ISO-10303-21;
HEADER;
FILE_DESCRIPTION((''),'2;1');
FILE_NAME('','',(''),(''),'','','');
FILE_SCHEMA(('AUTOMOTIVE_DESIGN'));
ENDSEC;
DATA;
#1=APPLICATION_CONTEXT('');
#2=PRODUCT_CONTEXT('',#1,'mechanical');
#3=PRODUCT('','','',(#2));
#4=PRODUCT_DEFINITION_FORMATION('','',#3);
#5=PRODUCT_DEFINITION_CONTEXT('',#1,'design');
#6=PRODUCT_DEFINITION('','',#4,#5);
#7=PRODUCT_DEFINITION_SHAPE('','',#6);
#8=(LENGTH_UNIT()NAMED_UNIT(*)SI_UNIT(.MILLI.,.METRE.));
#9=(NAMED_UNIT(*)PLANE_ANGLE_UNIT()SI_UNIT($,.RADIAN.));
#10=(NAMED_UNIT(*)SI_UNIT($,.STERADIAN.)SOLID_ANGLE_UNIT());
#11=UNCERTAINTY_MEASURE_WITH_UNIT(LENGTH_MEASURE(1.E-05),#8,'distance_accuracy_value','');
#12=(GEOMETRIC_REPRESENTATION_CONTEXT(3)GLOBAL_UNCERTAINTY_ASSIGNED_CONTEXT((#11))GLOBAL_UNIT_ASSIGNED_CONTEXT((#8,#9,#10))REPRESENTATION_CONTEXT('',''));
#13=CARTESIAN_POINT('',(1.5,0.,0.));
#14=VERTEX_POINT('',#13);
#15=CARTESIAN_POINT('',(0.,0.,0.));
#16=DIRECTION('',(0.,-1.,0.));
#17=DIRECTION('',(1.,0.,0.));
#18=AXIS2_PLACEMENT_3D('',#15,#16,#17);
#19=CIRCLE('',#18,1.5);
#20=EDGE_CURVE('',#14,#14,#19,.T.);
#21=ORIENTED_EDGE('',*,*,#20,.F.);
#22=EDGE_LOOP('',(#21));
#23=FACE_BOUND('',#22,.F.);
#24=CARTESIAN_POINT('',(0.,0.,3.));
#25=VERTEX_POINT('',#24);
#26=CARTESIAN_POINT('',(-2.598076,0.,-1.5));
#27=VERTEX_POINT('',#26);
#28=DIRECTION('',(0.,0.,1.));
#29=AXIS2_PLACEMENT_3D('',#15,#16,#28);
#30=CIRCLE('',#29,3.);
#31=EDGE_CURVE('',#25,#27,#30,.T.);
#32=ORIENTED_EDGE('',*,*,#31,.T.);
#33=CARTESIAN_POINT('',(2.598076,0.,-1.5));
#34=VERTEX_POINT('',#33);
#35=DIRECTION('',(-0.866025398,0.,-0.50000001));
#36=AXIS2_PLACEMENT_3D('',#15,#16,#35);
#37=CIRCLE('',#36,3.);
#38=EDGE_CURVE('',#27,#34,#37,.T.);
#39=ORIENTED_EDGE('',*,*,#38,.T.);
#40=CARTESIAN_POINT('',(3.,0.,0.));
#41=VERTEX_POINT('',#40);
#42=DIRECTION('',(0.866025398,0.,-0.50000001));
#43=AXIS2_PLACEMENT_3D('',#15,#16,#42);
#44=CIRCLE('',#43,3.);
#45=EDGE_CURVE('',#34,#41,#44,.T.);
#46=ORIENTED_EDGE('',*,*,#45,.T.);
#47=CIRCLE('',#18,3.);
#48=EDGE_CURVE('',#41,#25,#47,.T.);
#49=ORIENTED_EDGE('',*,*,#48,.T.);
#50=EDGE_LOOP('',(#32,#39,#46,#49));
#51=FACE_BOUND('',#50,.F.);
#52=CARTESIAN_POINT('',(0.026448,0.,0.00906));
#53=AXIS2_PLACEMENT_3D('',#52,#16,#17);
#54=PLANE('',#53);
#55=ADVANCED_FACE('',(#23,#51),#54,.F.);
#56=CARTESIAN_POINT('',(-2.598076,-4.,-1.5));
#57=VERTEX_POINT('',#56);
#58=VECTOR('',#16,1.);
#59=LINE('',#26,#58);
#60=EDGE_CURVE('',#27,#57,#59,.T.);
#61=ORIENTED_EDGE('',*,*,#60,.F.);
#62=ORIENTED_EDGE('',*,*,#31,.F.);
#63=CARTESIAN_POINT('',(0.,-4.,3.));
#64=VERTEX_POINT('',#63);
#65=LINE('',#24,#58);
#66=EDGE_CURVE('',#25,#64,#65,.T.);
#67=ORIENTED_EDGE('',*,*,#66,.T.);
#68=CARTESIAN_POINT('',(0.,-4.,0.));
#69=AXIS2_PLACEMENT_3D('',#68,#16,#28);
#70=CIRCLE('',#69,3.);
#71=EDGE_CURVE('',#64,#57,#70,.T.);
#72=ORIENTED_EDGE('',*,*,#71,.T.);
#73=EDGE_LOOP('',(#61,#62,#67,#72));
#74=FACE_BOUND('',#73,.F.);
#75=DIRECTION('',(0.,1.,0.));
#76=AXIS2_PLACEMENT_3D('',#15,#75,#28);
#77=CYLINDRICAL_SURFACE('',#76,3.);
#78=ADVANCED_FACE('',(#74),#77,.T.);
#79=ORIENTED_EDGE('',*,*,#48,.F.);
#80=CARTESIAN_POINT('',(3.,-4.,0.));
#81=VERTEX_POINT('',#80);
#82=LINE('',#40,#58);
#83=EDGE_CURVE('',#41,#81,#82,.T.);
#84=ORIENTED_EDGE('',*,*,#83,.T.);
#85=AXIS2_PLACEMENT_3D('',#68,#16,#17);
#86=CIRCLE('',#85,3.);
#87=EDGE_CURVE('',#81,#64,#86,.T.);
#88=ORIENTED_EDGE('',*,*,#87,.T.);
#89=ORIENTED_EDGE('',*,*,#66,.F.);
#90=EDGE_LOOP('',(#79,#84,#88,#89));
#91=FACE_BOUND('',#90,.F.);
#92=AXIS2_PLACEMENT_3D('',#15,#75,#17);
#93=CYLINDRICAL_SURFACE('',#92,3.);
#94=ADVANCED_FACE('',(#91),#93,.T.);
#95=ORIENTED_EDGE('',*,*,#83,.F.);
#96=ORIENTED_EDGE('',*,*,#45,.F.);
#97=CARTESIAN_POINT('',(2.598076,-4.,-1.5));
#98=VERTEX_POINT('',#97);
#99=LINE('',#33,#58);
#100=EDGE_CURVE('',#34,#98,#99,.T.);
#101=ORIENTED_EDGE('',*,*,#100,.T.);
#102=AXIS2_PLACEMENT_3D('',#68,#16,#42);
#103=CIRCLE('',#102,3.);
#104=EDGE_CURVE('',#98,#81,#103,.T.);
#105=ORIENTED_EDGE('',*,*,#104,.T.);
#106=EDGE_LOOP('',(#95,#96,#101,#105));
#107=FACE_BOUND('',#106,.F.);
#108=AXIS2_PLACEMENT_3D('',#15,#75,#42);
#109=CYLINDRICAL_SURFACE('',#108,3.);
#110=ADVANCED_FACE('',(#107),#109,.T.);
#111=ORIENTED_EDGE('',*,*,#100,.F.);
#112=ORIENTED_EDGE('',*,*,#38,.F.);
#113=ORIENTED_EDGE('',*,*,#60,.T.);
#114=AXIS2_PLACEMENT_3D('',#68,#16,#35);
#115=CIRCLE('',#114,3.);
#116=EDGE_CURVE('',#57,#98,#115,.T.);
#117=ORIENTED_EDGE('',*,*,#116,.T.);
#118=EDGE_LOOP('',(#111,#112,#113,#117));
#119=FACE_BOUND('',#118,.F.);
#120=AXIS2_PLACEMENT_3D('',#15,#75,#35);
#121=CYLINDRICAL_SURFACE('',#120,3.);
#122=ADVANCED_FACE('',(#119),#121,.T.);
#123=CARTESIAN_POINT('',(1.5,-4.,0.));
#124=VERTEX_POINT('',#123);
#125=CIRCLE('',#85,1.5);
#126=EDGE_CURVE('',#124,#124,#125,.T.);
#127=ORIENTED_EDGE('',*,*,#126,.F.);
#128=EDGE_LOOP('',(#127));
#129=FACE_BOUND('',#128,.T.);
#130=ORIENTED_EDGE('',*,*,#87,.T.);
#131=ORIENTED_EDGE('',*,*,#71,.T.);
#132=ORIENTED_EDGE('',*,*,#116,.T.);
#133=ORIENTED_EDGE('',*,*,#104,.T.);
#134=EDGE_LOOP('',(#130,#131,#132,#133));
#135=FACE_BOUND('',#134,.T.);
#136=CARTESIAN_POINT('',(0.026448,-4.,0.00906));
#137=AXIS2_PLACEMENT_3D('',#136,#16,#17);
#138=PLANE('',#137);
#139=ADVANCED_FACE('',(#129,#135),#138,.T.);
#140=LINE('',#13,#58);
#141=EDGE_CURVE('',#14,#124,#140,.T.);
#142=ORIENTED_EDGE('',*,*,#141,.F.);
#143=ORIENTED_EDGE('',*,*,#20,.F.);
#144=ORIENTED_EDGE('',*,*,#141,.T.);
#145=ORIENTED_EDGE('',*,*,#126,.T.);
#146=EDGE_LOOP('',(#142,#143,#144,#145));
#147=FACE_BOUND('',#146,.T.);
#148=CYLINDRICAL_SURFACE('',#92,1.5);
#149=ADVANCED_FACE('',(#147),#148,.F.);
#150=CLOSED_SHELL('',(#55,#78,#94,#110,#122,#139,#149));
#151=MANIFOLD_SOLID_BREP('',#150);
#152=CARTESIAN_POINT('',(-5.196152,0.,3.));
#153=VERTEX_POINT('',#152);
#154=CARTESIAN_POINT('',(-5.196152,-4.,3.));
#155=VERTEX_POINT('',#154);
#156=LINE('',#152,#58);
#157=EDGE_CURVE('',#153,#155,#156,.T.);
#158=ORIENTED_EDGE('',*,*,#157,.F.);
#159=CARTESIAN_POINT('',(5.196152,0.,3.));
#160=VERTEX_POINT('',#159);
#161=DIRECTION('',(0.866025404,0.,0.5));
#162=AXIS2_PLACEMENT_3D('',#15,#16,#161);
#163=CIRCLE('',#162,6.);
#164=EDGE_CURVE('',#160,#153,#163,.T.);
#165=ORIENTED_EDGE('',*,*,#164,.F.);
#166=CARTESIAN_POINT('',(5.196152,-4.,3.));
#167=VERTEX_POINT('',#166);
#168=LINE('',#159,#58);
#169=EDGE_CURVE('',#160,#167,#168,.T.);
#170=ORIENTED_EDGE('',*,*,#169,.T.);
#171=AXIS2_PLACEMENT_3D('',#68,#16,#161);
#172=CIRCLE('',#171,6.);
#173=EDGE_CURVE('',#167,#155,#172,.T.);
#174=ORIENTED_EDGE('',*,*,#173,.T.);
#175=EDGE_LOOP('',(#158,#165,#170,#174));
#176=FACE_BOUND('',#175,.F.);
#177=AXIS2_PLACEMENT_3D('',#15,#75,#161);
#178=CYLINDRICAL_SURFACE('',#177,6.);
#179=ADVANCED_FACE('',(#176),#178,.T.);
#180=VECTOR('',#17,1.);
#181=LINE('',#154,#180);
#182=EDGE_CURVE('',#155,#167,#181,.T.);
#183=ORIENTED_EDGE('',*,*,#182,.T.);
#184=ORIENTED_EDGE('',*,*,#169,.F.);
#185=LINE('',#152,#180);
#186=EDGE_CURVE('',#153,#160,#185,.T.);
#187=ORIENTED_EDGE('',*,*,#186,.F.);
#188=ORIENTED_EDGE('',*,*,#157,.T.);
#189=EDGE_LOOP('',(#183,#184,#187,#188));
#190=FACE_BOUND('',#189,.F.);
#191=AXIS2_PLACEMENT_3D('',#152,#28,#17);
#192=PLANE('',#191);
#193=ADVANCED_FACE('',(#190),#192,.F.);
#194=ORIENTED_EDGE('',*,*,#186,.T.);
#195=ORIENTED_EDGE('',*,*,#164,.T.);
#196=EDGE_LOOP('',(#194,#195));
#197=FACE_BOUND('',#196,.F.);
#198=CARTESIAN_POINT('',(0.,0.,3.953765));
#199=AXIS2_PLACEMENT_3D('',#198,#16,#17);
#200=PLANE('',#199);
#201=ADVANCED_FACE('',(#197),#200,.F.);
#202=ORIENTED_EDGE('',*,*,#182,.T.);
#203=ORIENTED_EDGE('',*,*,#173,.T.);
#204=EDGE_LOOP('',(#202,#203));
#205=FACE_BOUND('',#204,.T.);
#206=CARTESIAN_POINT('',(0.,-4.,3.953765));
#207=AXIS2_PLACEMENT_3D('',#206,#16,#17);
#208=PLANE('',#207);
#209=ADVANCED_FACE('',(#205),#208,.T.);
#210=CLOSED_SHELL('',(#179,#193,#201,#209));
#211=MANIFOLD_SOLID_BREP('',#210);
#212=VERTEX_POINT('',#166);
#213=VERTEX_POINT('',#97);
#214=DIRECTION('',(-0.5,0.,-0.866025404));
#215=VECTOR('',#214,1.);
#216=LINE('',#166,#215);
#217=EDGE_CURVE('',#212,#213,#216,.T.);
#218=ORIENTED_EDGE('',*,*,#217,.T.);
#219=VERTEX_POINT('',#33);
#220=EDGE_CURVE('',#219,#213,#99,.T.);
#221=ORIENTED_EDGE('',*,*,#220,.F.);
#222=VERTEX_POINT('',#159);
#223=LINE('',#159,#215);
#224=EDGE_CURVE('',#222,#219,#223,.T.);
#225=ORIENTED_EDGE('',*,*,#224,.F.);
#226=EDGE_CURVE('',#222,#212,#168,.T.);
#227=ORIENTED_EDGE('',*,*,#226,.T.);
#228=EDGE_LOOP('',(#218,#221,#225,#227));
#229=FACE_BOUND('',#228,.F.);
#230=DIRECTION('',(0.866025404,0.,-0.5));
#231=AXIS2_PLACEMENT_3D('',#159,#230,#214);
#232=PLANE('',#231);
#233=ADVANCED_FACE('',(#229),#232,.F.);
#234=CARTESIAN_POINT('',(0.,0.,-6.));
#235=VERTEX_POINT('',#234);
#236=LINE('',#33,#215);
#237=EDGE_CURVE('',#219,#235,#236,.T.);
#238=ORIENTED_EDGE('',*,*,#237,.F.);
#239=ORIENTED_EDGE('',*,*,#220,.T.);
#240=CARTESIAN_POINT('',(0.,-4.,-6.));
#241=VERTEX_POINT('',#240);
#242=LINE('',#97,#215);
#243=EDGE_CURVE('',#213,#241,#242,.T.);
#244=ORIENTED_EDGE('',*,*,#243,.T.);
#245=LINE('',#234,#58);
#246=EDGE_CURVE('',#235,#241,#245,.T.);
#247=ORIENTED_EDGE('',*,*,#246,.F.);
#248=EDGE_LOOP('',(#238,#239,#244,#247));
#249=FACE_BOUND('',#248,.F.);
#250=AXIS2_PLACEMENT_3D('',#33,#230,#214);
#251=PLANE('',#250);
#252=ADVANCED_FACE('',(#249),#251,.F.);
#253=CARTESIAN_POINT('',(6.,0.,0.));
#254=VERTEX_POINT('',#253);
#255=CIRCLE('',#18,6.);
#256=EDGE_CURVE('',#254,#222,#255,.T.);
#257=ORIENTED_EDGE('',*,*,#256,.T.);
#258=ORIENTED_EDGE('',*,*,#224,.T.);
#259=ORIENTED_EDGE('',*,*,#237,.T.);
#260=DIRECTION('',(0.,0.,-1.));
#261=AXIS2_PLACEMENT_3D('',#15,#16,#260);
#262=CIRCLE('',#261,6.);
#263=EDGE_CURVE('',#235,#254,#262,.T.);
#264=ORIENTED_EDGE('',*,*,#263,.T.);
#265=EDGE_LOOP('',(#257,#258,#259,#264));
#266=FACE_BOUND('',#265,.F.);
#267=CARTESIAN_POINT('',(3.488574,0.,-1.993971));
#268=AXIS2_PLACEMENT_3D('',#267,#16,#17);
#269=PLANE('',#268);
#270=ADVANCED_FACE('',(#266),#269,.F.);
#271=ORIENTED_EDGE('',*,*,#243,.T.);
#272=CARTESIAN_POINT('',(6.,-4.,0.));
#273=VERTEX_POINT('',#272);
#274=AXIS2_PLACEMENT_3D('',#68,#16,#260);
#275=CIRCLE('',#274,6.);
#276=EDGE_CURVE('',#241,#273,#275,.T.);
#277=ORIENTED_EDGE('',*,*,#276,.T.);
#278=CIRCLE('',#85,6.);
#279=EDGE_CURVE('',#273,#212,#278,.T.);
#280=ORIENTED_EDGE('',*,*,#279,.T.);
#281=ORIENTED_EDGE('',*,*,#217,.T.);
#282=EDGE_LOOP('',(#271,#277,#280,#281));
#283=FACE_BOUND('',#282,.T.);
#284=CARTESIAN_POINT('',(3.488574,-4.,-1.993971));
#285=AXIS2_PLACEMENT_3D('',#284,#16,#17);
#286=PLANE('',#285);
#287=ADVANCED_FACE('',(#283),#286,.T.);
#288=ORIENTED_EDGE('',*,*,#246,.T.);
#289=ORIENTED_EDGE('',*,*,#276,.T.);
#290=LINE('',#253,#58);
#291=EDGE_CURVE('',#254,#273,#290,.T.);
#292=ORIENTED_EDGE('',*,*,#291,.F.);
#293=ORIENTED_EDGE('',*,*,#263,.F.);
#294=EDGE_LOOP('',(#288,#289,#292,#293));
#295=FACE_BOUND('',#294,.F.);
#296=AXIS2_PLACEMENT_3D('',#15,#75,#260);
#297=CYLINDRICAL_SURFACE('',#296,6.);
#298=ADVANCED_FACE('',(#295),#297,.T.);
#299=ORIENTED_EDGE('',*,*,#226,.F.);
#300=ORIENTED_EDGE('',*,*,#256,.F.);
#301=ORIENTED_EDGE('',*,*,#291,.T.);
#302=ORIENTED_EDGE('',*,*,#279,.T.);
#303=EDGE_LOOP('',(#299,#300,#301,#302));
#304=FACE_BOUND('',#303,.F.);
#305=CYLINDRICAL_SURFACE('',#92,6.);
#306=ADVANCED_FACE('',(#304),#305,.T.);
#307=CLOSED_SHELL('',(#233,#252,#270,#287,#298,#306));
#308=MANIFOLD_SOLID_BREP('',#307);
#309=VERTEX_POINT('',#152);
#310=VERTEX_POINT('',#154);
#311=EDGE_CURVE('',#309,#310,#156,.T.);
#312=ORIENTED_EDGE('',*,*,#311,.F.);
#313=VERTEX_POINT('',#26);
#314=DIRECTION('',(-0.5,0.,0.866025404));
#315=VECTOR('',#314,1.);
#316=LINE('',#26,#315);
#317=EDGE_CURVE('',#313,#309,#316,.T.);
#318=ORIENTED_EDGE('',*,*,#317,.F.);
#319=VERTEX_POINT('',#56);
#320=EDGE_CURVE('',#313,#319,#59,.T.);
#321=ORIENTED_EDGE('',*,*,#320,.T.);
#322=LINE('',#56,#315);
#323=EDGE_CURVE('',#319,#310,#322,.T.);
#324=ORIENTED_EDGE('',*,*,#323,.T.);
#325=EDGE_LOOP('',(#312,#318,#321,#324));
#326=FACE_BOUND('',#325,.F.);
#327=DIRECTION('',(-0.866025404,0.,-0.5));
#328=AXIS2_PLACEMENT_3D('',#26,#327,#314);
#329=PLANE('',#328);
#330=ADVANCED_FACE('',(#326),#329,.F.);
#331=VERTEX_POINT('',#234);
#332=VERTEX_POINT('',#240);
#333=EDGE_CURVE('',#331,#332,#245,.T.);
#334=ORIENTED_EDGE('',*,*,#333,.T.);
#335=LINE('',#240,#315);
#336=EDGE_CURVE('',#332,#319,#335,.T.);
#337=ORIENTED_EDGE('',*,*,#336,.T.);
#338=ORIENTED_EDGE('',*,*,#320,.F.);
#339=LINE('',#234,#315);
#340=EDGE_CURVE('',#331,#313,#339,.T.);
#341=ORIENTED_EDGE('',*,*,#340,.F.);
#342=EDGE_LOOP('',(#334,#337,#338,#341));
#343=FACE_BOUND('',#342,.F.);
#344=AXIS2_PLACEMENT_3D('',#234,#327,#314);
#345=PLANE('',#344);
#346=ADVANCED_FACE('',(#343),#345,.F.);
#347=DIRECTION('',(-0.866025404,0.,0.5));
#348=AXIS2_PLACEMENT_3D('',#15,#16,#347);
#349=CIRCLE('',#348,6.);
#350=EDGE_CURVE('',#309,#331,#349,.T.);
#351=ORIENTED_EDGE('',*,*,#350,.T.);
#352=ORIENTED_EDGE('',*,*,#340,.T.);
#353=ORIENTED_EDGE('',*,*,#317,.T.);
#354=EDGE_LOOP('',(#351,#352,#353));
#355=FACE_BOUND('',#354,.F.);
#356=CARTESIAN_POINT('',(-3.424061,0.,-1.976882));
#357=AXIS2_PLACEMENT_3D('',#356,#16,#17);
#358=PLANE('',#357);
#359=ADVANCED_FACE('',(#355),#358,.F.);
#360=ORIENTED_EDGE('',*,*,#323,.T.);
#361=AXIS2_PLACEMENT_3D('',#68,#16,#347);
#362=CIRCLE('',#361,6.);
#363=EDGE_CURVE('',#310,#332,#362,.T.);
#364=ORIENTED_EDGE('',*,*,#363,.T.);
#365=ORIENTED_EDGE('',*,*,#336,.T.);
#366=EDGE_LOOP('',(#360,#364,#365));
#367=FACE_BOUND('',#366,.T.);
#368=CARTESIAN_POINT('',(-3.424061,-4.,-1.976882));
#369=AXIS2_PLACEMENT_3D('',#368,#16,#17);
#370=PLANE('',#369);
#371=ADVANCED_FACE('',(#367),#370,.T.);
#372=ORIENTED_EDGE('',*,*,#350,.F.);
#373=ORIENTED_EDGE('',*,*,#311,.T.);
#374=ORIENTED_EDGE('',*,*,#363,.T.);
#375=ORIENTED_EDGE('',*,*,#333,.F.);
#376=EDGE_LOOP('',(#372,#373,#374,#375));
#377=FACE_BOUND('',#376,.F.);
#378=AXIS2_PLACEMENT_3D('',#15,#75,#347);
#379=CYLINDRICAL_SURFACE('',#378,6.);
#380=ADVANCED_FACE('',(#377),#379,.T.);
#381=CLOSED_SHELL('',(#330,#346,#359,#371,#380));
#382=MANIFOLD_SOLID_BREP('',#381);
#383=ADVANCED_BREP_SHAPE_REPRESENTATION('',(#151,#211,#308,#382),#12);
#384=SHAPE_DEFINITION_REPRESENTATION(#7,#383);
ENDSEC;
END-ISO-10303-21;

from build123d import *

# Parameters (mm, degrees)
F1_DEPTH = 4
F0_R     = 1.5


with BuildPart() as f1:
    # F0 (on Front) → F1 (new body)
    with BuildSketch(Plane.XZ):
        with BuildLine():
            Line((-5.1961524227, 3), (0, 3))
            Line((0, 3), (5.1961524227, 3))
            ThreePointArc((5.1961524227, 3), (0, 6), (-5.1961524227, 3))
        make_face()
    extrude(amount=F1_DEPTH)


with BuildPart() as f1b:
    # F0 (on Front) → F1, piece 2 (new body)
    with BuildSketch(Plane.XZ):
        with BuildLine():
            Line((5.1961524227, 3), (2.5980761941, -1.5000000299))
            Line((2.5980761941, -1.5000000299), (0, -6))
            ThreePointArc((0, -6), (4.2426406871, -4.2426406871), (6, 0))
            ThreePointArc((6, 0), (5.7955549577, 1.5529142706), (5.1961524227, 3))
        make_face()
    extrude(amount=F1_DEPTH)


with BuildPart() as f1c:
    # F0 (on Front) → F1, piece 3 (new body)
    with BuildSketch(Plane.XZ):
        with BuildLine():
            Line((0, -6), (-2.5980761936, -1.5000000308))
            Line((-2.5980761936, -1.5000000308), (-5.1961524227, 3))
            ThreePointArc((-5.1961524227, 3), (-5.1961524227, -3), (0, -6))
        make_face()
    extrude(amount=F1_DEPTH)


with BuildPart() as f1d:
    # F0 (on Front) → F1, piece 4 (new body)
    with BuildSketch(Plane.XZ):
        with BuildLine():
            ThreePointArc((2.5980761941, -1.5000000299), (2.8977774744, -0.776457152), (3, 0))
            ThreePointArc((3, 0), (2.1213203436, 2.1213203436), (0, 3))
            ThreePointArc((0, 3), (-2.5980762202, 1.4999999846), (-2.5980761936, -1.5000000308))
            ThreePointArc((-2.5980761936, -1.5000000308), (5e-10, -3), (2.5980761941, -1.5000000299))
        make_face()
        Circle(F0_R, mode=Mode.SUBTRACT)
    extrude(amount=F1_DEPTH)


solid = Compound([f1.part, f1b.part, f1c.part, f1d.part])
